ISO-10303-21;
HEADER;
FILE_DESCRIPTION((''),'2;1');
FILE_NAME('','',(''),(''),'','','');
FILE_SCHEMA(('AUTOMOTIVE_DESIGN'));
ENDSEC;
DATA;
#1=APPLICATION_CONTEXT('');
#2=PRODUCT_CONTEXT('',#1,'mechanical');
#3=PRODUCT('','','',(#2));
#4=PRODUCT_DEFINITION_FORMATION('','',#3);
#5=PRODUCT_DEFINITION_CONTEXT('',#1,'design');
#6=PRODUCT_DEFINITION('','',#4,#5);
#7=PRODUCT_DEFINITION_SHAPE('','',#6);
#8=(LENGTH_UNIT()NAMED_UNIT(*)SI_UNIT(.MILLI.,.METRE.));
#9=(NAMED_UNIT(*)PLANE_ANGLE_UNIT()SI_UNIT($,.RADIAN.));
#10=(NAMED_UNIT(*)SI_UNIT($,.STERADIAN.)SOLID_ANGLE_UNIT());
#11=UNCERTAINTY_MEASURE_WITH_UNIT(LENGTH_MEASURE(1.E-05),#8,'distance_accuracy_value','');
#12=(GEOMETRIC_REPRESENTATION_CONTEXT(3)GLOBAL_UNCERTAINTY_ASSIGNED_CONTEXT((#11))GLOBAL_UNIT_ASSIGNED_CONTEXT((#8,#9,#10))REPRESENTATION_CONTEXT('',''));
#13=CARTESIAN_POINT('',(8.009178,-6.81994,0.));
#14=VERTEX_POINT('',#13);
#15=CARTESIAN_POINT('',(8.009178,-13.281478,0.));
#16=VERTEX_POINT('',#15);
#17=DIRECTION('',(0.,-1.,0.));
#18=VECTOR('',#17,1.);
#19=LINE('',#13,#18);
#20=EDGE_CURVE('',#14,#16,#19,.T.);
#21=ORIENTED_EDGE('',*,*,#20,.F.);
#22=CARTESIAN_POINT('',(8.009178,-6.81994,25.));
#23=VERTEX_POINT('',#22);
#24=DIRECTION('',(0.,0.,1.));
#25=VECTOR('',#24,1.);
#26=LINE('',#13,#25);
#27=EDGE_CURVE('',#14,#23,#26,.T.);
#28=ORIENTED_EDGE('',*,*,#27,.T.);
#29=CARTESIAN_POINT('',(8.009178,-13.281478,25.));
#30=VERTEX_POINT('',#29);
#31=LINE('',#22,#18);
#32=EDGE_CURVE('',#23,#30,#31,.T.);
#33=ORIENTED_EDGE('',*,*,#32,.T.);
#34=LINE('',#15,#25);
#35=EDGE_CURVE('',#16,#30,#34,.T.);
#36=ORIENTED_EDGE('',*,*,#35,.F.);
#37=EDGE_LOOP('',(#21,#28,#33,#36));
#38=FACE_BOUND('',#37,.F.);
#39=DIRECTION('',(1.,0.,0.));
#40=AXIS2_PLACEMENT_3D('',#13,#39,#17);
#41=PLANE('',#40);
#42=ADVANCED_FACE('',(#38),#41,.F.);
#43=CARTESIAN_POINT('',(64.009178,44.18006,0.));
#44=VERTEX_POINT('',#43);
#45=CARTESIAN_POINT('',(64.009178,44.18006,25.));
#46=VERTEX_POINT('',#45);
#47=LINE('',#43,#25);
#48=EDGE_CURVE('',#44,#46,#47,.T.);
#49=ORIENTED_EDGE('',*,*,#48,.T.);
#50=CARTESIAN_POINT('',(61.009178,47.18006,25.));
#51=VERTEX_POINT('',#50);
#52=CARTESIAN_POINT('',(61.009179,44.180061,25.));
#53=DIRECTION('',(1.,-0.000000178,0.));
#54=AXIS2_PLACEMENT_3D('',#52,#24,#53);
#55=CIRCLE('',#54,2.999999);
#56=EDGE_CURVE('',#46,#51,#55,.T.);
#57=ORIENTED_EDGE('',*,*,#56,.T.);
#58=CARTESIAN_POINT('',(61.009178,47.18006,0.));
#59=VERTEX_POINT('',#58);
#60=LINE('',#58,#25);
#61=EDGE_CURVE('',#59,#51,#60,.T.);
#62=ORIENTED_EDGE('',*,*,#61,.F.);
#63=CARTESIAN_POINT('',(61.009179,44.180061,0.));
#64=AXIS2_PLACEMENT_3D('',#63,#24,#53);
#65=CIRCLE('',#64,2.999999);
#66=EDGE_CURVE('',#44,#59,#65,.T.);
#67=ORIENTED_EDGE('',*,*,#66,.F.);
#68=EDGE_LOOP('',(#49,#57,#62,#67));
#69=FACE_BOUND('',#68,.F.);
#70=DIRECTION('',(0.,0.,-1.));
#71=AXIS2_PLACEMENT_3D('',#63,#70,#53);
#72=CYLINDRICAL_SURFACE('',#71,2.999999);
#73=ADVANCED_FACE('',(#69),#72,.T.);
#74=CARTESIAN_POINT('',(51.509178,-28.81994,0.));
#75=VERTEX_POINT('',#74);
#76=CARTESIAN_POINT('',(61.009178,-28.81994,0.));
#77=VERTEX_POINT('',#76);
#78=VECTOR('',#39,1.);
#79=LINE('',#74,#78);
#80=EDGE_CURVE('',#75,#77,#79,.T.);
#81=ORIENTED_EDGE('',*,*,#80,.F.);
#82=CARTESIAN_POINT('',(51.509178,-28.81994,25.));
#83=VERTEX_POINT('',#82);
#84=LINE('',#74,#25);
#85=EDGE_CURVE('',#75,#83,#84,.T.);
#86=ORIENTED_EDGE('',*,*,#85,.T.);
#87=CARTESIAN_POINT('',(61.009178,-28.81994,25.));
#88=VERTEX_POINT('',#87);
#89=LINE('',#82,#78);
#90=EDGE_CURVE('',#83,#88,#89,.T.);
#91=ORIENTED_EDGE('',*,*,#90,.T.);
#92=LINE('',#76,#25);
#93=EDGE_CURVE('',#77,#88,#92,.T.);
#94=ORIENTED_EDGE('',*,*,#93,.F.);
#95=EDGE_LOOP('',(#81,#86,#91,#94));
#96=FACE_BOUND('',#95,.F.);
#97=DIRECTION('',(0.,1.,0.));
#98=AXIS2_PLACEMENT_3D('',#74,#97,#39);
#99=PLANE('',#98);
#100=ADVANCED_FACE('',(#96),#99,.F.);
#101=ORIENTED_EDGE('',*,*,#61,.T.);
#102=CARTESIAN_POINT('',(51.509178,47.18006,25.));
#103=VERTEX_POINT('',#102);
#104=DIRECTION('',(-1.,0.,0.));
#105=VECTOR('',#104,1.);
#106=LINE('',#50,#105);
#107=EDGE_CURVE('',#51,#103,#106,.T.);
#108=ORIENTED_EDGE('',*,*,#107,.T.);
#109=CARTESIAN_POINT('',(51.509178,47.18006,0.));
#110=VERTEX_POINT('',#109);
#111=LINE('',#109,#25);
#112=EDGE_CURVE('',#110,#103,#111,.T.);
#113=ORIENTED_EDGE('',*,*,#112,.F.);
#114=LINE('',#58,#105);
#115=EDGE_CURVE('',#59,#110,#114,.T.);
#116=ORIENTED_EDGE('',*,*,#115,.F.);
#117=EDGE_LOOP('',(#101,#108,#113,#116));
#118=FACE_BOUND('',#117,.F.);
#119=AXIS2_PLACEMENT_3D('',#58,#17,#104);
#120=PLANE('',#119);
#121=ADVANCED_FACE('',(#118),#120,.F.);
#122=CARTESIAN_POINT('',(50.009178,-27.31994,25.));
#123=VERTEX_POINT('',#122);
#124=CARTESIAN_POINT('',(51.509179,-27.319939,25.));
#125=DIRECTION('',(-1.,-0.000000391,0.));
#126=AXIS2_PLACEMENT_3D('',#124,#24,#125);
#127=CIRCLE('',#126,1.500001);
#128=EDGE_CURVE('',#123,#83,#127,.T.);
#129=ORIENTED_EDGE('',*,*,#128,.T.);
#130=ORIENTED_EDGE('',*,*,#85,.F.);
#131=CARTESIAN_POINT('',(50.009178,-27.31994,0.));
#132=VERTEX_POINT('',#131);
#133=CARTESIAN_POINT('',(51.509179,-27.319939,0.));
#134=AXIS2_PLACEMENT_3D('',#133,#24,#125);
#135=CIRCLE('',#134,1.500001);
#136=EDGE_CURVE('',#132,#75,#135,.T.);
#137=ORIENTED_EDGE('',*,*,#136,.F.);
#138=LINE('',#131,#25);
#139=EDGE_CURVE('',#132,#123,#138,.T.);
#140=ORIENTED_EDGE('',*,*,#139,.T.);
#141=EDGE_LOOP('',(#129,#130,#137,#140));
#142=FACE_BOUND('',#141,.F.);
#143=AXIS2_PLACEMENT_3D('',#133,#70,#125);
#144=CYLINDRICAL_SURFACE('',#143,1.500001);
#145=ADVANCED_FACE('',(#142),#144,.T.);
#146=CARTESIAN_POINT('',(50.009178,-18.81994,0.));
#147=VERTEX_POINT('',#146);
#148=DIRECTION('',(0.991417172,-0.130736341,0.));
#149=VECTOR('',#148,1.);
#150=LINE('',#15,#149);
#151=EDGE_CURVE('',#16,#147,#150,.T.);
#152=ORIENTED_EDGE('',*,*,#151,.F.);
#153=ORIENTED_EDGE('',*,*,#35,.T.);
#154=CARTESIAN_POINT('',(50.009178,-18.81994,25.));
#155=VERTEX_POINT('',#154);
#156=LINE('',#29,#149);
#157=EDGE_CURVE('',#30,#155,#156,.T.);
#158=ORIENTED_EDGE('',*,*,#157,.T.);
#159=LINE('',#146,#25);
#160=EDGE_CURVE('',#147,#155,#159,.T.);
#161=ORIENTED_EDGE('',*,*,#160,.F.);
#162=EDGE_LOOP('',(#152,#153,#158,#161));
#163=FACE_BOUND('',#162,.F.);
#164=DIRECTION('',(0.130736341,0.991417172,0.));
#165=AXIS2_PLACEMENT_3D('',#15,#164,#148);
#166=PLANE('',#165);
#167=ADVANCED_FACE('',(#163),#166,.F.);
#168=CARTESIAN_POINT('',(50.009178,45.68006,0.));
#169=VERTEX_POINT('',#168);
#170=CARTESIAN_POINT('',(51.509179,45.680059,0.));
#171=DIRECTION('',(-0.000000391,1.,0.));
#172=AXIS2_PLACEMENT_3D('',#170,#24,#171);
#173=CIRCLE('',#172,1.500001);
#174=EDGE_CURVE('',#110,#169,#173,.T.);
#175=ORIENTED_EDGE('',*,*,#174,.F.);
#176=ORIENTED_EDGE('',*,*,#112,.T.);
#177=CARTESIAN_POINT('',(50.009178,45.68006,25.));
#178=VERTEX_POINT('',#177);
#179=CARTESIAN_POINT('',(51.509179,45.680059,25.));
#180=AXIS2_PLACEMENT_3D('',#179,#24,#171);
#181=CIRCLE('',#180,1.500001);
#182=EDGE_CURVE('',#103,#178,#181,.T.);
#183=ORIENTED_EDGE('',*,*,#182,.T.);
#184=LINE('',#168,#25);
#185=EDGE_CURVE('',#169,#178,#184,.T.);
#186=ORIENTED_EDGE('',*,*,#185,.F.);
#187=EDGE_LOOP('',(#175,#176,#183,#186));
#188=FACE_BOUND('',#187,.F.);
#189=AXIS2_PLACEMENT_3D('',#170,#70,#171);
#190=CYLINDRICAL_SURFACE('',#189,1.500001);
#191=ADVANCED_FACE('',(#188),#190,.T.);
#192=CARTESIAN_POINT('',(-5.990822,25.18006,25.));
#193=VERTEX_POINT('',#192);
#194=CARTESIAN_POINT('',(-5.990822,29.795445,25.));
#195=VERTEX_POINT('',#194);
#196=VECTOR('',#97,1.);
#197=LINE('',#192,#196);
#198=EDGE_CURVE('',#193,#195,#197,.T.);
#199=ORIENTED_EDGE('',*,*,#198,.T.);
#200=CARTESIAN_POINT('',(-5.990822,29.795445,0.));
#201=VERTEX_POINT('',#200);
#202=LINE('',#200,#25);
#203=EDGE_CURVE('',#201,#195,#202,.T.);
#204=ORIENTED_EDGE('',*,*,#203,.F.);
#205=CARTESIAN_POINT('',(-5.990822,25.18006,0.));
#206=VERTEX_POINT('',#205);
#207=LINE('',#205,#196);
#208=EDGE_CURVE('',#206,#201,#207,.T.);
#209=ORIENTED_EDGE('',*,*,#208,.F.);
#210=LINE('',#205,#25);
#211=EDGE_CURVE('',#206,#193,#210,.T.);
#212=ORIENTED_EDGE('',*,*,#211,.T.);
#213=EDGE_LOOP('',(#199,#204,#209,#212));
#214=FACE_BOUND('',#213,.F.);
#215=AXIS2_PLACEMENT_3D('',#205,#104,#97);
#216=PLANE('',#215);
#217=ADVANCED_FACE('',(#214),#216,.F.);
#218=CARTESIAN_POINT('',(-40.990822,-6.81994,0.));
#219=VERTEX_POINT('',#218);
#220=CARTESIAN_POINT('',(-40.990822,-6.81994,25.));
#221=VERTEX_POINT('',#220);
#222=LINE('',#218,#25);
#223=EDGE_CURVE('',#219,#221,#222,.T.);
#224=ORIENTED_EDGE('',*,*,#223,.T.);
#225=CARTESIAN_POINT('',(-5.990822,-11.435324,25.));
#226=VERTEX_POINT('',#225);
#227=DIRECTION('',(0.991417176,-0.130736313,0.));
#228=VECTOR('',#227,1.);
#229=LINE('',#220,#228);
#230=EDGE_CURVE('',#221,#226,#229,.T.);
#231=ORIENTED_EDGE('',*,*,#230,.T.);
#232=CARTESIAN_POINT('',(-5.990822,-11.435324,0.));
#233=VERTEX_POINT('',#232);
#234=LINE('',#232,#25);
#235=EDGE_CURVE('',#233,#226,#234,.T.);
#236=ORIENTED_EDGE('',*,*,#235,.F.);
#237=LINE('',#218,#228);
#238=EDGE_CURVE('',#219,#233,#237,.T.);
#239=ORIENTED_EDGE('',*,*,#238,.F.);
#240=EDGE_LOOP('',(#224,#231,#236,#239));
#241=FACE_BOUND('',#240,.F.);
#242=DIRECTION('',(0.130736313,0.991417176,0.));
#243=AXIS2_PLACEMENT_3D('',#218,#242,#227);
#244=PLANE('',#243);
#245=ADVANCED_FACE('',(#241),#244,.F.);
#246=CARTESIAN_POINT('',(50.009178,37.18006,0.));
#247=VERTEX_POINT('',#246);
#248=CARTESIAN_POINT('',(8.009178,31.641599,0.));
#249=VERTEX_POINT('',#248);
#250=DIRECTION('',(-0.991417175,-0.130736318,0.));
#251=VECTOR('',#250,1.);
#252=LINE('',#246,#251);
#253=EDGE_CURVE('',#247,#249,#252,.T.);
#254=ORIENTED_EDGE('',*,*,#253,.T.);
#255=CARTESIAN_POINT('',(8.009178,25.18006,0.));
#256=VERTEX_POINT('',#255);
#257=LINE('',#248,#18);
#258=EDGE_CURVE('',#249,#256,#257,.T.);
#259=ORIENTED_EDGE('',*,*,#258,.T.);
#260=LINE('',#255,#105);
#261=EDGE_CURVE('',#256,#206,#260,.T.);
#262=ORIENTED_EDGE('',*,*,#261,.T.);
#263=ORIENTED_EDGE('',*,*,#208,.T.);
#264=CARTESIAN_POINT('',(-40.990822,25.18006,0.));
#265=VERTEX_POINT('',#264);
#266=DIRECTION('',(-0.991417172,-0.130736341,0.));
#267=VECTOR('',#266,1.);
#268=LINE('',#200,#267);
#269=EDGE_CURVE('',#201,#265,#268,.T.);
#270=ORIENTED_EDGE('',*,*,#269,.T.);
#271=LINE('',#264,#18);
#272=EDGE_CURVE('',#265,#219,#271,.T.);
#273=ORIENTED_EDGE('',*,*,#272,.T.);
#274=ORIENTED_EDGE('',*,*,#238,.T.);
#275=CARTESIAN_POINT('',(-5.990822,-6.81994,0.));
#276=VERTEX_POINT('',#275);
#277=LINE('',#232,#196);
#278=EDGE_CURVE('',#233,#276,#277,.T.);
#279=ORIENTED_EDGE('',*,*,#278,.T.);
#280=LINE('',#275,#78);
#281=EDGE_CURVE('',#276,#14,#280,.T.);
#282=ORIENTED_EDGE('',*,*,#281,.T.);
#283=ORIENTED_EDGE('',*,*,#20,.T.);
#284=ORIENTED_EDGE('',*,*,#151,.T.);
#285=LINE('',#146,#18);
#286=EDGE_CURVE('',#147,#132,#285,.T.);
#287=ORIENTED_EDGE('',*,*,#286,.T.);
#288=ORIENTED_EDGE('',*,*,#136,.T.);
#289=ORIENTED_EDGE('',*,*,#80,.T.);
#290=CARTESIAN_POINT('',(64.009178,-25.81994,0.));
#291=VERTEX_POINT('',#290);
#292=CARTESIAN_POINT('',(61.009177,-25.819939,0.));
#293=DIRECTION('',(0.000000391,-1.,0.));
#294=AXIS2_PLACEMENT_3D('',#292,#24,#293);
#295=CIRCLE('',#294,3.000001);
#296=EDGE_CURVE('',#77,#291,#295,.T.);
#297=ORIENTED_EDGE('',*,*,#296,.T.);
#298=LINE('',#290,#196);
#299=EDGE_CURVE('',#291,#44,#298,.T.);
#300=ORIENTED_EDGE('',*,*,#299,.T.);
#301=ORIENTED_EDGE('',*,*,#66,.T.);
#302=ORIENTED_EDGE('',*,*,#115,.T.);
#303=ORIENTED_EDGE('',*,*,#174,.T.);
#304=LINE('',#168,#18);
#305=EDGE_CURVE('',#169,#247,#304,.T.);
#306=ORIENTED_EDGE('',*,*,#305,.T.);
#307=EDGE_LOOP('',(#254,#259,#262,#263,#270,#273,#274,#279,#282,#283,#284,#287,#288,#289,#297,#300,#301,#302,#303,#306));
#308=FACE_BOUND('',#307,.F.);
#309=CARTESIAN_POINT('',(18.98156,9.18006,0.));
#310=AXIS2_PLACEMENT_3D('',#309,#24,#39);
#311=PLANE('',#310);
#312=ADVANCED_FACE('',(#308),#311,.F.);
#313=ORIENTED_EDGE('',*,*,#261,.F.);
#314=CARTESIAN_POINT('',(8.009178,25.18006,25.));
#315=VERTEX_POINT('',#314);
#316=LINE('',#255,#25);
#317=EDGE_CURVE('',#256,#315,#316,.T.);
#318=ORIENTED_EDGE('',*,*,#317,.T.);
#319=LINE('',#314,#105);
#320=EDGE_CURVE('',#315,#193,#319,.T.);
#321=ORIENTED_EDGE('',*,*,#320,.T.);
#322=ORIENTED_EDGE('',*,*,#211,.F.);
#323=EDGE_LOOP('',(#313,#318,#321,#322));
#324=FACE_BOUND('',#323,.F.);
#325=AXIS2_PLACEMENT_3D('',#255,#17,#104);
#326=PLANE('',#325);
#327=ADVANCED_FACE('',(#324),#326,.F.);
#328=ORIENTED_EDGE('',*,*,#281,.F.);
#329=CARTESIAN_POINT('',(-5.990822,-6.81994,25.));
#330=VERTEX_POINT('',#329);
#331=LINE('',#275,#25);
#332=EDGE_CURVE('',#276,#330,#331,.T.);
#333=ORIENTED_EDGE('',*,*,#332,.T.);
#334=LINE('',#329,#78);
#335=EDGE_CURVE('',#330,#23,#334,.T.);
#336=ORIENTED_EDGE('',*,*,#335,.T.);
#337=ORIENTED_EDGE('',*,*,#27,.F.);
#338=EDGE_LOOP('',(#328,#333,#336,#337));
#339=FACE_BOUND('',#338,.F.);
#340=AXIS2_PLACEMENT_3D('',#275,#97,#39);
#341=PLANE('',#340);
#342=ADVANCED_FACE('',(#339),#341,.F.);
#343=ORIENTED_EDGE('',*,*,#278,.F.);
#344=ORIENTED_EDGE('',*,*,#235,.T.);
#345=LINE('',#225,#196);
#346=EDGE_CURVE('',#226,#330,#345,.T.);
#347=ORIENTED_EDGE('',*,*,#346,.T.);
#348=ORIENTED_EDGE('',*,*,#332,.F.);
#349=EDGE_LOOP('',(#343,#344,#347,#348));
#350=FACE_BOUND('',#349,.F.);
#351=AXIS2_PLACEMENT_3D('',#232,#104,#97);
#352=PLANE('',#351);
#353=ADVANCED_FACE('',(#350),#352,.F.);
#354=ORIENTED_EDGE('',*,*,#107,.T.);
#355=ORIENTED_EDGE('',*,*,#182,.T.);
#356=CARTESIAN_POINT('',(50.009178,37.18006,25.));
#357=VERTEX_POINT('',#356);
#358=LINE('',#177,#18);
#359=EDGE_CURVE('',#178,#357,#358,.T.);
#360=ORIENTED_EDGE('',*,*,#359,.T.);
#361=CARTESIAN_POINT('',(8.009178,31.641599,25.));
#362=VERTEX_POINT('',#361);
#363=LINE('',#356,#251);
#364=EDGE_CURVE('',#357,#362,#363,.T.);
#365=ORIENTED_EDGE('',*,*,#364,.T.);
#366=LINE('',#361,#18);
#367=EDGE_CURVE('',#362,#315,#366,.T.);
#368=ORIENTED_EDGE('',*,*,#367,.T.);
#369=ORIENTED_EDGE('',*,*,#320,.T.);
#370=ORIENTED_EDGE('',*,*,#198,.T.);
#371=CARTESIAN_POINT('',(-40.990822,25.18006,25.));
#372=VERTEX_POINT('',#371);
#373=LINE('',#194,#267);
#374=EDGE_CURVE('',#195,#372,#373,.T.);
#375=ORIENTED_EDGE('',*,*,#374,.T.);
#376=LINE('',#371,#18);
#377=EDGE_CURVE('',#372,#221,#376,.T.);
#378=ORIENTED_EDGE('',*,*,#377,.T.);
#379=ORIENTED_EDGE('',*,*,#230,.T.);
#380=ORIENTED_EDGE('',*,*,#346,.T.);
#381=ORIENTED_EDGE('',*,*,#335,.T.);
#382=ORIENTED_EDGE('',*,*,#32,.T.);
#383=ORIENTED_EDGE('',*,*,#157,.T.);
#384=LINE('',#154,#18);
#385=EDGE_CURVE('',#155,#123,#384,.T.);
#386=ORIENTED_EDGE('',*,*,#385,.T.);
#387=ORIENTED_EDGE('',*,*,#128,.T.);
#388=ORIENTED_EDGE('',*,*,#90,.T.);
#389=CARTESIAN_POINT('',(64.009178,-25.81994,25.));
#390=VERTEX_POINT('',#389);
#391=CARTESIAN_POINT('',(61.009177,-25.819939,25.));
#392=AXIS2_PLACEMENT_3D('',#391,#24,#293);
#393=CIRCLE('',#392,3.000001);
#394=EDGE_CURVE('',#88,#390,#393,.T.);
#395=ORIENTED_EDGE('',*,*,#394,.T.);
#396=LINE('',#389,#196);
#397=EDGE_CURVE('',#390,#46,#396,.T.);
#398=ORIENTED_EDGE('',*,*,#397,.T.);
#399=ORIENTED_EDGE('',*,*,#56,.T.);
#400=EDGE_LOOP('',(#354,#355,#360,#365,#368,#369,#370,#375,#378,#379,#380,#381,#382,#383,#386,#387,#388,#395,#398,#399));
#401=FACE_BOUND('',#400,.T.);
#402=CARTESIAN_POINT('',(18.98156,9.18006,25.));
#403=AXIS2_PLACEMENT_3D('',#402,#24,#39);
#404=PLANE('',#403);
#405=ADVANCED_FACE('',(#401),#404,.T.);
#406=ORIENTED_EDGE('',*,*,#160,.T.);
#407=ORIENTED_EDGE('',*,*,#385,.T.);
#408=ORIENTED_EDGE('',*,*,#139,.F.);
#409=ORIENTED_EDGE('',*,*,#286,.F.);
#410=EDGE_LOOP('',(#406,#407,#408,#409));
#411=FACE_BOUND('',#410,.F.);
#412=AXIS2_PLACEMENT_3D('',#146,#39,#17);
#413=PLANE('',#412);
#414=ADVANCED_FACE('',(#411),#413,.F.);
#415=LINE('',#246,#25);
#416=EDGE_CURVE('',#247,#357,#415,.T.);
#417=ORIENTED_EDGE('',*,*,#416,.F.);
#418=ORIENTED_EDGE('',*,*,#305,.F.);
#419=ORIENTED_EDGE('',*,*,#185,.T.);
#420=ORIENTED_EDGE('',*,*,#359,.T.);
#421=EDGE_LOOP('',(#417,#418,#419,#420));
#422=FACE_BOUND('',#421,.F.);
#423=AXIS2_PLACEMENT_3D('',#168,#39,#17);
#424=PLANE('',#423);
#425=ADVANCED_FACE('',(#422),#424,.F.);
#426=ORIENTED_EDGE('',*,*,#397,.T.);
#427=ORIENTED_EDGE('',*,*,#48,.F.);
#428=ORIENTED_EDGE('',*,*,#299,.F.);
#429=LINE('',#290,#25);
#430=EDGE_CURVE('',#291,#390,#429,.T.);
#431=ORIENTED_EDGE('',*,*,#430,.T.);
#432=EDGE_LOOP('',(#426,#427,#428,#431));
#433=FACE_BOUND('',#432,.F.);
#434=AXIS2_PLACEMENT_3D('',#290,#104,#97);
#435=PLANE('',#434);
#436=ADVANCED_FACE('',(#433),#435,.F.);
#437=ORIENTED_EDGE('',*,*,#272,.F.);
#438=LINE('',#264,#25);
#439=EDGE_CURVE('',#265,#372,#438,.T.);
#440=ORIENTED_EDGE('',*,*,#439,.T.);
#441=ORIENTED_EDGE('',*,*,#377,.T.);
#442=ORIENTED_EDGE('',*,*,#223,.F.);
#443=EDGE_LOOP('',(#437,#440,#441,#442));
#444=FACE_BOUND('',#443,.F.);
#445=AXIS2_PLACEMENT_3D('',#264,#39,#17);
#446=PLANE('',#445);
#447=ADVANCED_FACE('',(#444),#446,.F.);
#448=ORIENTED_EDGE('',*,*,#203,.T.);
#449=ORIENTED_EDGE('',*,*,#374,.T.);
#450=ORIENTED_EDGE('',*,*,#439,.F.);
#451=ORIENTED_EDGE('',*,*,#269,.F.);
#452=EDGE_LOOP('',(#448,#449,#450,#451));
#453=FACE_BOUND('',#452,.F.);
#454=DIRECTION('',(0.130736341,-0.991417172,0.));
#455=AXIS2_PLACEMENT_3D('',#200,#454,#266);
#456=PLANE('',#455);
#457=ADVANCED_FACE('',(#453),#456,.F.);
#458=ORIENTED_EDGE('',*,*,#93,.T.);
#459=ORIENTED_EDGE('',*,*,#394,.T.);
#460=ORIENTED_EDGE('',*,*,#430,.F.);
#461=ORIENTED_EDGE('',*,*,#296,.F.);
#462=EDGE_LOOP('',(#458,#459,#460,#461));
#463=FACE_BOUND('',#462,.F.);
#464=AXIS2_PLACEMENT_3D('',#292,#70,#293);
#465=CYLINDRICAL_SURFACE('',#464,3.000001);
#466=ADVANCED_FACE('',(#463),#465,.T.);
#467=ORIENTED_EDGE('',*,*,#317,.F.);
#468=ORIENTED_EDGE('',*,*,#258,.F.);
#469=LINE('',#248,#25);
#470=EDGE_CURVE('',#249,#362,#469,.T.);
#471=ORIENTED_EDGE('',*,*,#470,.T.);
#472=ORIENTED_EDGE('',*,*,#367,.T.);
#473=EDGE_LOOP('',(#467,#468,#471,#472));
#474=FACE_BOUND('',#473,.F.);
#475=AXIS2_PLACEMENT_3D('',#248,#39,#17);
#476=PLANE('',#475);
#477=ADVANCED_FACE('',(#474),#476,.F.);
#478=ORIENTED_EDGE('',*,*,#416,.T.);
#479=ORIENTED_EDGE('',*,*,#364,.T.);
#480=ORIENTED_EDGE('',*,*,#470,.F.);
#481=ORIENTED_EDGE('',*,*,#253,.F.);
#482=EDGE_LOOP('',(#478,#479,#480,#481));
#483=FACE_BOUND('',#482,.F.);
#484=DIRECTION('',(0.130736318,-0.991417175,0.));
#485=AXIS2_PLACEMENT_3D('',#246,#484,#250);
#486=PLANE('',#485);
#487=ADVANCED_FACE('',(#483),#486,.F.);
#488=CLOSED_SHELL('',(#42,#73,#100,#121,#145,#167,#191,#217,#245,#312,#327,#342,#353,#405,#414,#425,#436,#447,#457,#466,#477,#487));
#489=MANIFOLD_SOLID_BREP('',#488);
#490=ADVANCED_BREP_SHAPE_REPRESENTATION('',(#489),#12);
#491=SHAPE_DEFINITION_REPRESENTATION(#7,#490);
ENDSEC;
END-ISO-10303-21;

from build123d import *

# Parameters (mm, degrees)
F1_DEPTH = 25


with BuildPart() as f1:
    # F0 (on Top) → F1 (new body)
    with BuildSketch(Plane.XY):
        with BuildLine():
            Line((64.009178, -25.81994), (64.009178, 44.18006))
            ThreePointArc((64.009178, 44.18006), (63.130498, 46.301381), (61.009178, 47.18006))
            Line((61.009178, 47.18006), (51.509178, 47.18006))
            ThreePointArc((51.509178, 47.18006), (50.448518, 46.74072), (50.009178, 45.68006))
            Line((50.009178, 45.68006), (50.009178, 37.18006))
            Line((50.009178, 37.18006), (8.009178, 31.641599))
            Line((8.009178, 31.641599), (8.009178, 25.18006))
            Line((8.009178, 25.18006), (-5.990822, 25.18006))
            Line((-5.990822, 25.18006), (-5.990822, 29.795445))
            Line((-5.990822, 29.795445), (-40.990822, 25.18006))
            Line((-40.990822, 25.18006), (-40.990822, 9.18006))
            Line((-40.990822, 9.18006), (-40.990822, -6.81994))
            Line((-40.990822, -6.81994), (-5.990822, -11.435324))
            Line((-5.990822, -11.435324), (-5.990822, -6.81994))
            Line((-5.990822, -6.81994), (8.009178, -6.81994))
            Line((8.009178, -6.81994), (8.009178, -13.281478))
            Line((8.009178, -13.281478), (50.009178, -18.81994))
            Line((50.009178, -18.81994), (50.009178, -27.31994))
            ThreePointArc((50.009178, -27.31994), (50.448518, -28.3806), (51.509178, -28.81994))
            Line((51.509178, -28.81994), (61.009178, -28.81994))
            ThreePointArc((61.009178, -28.81994), (63.130498, -27.94126), (64.009178, -25.81994))
        make_face()
    extrude(amount=F1_DEPTH)


solid = f1.part
